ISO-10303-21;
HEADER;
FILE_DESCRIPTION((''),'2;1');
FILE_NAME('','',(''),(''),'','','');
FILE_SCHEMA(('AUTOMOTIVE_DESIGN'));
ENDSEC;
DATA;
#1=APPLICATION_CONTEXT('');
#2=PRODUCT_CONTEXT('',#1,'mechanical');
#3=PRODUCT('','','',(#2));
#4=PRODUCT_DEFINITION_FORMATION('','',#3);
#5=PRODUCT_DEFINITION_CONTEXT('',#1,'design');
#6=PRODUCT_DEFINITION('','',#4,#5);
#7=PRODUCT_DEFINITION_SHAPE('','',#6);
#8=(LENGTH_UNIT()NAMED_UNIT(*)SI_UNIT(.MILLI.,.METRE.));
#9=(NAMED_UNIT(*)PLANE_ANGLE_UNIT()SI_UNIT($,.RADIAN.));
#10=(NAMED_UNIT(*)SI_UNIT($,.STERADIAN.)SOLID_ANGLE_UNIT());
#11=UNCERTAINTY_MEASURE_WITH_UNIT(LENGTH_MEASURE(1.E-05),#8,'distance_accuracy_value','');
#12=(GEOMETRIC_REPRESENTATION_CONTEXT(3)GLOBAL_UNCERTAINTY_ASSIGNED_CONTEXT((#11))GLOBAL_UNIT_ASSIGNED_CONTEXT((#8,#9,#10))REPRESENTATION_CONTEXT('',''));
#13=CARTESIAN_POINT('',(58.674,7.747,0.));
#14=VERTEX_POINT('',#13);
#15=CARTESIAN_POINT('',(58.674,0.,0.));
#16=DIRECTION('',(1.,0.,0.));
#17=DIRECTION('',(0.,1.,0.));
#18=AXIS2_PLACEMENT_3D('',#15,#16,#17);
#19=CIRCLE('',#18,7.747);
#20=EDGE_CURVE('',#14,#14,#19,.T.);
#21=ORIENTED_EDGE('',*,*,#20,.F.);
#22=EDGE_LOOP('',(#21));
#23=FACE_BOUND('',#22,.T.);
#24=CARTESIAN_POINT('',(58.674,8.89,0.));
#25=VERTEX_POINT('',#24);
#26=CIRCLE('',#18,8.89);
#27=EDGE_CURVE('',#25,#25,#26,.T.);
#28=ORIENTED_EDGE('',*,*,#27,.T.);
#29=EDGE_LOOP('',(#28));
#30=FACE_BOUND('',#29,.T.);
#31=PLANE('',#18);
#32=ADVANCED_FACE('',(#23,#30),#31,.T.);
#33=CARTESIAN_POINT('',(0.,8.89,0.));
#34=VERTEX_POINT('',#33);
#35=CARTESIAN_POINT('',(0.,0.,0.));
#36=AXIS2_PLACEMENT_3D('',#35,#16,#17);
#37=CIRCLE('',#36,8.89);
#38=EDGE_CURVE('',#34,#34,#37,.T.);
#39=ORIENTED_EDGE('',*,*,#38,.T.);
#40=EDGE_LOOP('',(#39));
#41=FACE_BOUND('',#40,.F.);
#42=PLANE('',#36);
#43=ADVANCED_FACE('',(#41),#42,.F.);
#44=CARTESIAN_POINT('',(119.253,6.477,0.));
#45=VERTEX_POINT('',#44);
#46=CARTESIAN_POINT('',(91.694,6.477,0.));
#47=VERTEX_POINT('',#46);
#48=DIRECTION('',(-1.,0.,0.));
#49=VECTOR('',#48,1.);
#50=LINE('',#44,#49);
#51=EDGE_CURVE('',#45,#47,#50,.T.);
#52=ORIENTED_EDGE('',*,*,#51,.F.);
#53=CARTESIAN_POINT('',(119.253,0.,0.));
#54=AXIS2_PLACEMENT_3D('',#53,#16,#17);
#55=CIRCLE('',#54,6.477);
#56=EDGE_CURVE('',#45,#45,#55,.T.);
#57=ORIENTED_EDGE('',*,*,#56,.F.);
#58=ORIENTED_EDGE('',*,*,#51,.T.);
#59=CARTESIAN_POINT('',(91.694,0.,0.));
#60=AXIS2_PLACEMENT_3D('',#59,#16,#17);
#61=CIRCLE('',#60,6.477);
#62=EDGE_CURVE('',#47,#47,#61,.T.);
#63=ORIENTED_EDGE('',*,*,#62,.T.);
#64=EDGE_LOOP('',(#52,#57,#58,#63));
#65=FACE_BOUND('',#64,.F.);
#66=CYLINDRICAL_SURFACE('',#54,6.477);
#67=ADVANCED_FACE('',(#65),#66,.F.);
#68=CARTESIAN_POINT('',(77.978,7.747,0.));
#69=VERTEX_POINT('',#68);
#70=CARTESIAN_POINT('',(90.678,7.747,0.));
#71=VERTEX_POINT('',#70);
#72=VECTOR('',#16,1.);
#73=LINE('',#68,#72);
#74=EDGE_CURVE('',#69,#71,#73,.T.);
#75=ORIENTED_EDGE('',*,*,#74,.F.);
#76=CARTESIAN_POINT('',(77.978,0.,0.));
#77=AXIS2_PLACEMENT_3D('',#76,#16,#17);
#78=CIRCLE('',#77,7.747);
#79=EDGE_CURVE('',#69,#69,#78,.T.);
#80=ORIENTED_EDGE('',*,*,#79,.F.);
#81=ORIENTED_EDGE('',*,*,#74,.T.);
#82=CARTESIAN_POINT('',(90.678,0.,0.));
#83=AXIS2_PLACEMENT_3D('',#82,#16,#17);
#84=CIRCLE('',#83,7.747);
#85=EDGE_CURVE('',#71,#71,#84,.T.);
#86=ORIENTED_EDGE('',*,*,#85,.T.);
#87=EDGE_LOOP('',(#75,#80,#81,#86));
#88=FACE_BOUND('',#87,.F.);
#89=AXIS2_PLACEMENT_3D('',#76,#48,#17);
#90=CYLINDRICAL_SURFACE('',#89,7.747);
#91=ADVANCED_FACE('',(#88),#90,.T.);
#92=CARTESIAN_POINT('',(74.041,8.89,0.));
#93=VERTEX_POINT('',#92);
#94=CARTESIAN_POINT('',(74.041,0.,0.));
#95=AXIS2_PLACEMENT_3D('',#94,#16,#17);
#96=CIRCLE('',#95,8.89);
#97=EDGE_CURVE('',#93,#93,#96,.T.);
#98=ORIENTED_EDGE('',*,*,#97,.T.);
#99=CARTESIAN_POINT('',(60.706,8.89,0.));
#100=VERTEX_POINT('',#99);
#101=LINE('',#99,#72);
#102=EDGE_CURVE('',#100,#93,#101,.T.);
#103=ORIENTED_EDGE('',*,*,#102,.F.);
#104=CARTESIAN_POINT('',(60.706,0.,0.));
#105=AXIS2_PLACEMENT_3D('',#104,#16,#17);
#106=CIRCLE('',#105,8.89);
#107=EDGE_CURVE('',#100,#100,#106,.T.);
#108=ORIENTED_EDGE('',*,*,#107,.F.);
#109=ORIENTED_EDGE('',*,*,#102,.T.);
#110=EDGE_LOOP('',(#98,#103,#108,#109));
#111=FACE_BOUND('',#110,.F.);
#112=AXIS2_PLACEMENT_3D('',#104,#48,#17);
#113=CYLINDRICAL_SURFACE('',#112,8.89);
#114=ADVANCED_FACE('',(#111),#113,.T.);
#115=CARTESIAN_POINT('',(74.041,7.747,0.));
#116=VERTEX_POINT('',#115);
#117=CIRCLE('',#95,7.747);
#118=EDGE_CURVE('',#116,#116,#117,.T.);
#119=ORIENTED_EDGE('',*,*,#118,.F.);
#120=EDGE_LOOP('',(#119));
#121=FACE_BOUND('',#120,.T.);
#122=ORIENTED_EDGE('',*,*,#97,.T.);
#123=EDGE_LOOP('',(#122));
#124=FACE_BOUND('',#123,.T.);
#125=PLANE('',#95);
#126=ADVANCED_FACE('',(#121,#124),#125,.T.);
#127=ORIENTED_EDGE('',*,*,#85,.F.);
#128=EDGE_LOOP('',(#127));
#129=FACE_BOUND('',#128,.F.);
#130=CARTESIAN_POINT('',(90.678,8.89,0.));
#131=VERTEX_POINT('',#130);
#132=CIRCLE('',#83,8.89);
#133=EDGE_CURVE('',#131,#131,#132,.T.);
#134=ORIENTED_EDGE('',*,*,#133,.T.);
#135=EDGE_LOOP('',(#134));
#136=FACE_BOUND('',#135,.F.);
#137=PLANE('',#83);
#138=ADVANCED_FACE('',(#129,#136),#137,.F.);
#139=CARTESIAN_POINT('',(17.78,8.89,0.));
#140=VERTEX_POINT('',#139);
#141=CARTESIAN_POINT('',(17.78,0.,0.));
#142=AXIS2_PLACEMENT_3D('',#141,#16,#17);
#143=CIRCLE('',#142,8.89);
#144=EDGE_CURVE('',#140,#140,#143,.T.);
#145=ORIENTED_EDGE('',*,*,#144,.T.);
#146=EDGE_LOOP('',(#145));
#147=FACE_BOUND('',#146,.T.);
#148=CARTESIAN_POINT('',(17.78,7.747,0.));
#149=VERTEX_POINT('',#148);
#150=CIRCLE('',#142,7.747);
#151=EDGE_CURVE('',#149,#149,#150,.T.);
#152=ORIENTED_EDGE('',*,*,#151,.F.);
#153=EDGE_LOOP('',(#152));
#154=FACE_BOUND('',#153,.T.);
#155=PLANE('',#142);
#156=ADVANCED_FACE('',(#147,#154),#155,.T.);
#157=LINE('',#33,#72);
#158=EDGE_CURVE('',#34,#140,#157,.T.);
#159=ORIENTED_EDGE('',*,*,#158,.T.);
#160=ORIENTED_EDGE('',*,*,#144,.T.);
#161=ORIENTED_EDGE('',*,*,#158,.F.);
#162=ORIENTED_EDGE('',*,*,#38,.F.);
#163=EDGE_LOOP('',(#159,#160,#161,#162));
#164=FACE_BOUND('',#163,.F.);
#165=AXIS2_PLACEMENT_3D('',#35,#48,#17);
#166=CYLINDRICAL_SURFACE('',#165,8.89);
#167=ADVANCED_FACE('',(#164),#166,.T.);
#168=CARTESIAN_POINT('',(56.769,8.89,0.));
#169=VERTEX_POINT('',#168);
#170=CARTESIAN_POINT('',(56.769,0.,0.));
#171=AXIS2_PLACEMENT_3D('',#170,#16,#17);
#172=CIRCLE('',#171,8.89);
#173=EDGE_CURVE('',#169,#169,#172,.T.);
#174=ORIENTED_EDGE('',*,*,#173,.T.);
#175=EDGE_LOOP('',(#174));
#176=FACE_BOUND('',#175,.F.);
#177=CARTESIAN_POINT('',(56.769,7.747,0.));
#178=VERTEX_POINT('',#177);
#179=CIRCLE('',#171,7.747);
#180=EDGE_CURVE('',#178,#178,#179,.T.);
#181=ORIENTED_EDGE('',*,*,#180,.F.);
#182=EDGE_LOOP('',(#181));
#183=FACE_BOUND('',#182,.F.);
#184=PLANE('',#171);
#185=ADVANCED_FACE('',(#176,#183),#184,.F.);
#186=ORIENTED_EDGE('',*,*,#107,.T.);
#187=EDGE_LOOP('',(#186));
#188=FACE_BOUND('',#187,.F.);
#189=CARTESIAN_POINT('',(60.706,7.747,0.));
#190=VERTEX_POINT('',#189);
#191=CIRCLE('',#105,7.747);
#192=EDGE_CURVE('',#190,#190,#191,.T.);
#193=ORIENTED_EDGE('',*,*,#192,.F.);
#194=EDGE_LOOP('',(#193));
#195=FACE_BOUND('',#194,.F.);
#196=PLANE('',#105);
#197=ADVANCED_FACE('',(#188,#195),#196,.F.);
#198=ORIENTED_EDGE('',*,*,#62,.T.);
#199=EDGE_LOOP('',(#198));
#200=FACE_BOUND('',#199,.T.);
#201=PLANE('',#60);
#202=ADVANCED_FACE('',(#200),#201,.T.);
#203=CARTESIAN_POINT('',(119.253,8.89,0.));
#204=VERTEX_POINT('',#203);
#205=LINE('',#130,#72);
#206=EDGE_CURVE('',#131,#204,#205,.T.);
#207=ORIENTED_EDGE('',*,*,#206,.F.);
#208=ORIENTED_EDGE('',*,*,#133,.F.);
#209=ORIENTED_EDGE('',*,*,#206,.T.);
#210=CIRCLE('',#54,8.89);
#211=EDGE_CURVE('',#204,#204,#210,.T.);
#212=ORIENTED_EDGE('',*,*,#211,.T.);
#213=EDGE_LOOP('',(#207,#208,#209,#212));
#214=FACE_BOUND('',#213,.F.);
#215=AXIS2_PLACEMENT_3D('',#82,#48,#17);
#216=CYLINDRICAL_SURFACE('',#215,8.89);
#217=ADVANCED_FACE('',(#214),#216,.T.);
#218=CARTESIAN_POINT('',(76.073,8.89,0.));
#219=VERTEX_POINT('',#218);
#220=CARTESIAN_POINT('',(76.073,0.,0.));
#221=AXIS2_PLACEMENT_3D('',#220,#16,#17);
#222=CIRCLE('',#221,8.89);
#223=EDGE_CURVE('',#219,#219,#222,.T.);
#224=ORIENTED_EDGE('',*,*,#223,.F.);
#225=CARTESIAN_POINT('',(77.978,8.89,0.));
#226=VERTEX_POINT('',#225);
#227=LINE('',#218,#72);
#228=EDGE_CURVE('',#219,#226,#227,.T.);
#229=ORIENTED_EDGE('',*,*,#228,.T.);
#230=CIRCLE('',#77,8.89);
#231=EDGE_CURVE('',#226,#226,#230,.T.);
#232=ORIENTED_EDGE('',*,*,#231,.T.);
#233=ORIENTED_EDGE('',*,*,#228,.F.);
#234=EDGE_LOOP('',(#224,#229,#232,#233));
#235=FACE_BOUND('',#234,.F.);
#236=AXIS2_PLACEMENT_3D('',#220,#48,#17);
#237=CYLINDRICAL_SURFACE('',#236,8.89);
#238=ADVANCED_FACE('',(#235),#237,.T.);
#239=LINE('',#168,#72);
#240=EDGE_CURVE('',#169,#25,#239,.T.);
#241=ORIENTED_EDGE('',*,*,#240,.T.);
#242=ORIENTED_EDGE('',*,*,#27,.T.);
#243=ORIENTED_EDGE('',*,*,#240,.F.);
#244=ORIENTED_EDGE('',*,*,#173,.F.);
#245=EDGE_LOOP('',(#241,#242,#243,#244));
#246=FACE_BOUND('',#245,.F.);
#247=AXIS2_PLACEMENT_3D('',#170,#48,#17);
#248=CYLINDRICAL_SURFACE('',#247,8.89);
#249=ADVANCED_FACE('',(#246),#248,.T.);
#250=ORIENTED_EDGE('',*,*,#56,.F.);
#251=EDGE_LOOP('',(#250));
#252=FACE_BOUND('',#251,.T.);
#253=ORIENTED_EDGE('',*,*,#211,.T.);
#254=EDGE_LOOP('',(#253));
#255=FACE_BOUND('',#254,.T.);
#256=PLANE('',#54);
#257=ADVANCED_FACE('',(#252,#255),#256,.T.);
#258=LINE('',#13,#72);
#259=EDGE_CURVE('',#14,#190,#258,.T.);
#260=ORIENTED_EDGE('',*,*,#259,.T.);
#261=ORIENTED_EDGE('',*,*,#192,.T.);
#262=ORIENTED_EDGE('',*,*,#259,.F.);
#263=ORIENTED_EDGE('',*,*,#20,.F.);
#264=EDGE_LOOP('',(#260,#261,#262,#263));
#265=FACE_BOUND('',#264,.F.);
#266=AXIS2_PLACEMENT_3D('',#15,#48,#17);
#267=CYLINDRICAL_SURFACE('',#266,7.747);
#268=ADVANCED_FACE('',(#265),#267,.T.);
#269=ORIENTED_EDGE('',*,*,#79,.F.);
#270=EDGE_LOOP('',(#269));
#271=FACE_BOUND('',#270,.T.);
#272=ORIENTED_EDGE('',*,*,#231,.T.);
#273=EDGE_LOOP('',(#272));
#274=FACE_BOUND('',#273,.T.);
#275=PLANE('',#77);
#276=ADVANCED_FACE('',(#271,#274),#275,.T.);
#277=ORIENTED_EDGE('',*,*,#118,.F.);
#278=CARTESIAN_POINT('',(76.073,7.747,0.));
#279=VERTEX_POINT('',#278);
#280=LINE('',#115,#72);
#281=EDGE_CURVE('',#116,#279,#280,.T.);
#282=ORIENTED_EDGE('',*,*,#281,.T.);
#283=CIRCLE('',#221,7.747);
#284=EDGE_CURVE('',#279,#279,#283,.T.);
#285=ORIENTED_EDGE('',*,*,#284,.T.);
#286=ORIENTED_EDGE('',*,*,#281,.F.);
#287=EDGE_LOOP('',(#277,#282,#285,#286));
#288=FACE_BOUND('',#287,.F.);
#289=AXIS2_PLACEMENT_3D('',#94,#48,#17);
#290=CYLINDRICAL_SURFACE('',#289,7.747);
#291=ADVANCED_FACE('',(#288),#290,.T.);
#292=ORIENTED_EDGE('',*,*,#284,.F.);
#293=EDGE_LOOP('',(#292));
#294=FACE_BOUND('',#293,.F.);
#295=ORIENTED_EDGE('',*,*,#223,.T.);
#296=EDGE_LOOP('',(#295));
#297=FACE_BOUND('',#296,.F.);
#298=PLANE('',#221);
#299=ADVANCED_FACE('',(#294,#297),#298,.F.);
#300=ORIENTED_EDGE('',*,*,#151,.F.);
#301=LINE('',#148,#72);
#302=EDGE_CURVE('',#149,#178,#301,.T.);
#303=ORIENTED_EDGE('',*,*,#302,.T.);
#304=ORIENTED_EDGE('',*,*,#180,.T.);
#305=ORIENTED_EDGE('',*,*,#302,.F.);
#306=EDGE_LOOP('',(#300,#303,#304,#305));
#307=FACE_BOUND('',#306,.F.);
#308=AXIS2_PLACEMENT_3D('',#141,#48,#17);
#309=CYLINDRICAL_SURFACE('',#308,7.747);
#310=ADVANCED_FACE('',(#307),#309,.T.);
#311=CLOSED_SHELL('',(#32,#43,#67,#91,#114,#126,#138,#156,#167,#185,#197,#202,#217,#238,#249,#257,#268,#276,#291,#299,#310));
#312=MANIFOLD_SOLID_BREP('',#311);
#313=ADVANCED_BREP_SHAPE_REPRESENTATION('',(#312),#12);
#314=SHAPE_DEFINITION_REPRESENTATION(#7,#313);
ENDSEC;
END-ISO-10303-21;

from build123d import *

# Parameters (mm, degrees)
F0_R      = 8.89
F1_DEPTH  = 17.78
F2_R      = 7.747
F3_DEPTH  = 38.989
F4_R      = 8.89
F5_DEPTH  = 1.905
F6_R      = 7.747
F7_DEPTH  = 2.032
F8_R      = 8.89
F9_DEPTH  = 13.335
F10_R     = 7.747
F11_DEPTH = 2.032
F12_R     = 8.89
F13_DEPTH = 1.905
F14_R     = 7.747
F15_DEPTH = 12.7
F16_R     = 8.89
F17_DEPTH = 28.575
F18_R     = 6.477
F19_DEPTH = 27.559


with BuildPart() as f1:
    # F0 (on Right) → F1 (new body)
    with BuildSketch(Plane.YZ):
        Circle(F0_R)
    extrude(amount=F1_DEPTH)

    # F2 (on face) → F3 (join)
    with BuildSketch(Plane.YZ.offset(17.78)):
        Circle(F2_R)
    extrude(amount=F3_DEPTH)

    # F4 (on face) → F5 (join)
    with BuildSketch(Plane.YZ.offset(56.769)):
        Circle(F4_R)
    extrude(amount=F5_DEPTH)

    # F6 (on face) → F7 (join)
    with BuildSketch(Plane.YZ.offset(58.674)):
        Circle(F6_R)
    extrude(amount=F7_DEPTH)

    # F8 (on face) → F9 (join)
    with BuildSketch(Plane.YZ.offset(60.706)):
        Circle(F8_R)
    extrude(amount=F9_DEPTH)

    # F10 (on face) → F11 (join)
    with BuildSketch(Plane.YZ.offset(74.041)):
        Circle(F10_R)
    extrude(amount=F11_DEPTH)

    # F12 (on face) → F13 (join)
    with BuildSketch(Plane.YZ.offset(76.073)):
        Circle(F12_R)
    extrude(amount=F13_DEPTH)

    # F14 (on face) → F15 (join)
    with BuildSketch(Plane.YZ.offset(77.978)):
        Circle(F14_R)
    extrude(amount=F15_DEPTH)

    # F16 (on face) → F17 (join)
    with BuildSketch(Plane.YZ.offset(90.678)):
        Circle(F16_R)
    extrude(amount=F17_DEPTH)

    # F18 (on face) → F19 (cut)
    with BuildSketch(Plane.YZ.offset(119.253)):
        Circle(F18_R)
    extrude(amount=-F19_DEPTH, mode=Mode.SUBTRACT)


solid = f1.part
